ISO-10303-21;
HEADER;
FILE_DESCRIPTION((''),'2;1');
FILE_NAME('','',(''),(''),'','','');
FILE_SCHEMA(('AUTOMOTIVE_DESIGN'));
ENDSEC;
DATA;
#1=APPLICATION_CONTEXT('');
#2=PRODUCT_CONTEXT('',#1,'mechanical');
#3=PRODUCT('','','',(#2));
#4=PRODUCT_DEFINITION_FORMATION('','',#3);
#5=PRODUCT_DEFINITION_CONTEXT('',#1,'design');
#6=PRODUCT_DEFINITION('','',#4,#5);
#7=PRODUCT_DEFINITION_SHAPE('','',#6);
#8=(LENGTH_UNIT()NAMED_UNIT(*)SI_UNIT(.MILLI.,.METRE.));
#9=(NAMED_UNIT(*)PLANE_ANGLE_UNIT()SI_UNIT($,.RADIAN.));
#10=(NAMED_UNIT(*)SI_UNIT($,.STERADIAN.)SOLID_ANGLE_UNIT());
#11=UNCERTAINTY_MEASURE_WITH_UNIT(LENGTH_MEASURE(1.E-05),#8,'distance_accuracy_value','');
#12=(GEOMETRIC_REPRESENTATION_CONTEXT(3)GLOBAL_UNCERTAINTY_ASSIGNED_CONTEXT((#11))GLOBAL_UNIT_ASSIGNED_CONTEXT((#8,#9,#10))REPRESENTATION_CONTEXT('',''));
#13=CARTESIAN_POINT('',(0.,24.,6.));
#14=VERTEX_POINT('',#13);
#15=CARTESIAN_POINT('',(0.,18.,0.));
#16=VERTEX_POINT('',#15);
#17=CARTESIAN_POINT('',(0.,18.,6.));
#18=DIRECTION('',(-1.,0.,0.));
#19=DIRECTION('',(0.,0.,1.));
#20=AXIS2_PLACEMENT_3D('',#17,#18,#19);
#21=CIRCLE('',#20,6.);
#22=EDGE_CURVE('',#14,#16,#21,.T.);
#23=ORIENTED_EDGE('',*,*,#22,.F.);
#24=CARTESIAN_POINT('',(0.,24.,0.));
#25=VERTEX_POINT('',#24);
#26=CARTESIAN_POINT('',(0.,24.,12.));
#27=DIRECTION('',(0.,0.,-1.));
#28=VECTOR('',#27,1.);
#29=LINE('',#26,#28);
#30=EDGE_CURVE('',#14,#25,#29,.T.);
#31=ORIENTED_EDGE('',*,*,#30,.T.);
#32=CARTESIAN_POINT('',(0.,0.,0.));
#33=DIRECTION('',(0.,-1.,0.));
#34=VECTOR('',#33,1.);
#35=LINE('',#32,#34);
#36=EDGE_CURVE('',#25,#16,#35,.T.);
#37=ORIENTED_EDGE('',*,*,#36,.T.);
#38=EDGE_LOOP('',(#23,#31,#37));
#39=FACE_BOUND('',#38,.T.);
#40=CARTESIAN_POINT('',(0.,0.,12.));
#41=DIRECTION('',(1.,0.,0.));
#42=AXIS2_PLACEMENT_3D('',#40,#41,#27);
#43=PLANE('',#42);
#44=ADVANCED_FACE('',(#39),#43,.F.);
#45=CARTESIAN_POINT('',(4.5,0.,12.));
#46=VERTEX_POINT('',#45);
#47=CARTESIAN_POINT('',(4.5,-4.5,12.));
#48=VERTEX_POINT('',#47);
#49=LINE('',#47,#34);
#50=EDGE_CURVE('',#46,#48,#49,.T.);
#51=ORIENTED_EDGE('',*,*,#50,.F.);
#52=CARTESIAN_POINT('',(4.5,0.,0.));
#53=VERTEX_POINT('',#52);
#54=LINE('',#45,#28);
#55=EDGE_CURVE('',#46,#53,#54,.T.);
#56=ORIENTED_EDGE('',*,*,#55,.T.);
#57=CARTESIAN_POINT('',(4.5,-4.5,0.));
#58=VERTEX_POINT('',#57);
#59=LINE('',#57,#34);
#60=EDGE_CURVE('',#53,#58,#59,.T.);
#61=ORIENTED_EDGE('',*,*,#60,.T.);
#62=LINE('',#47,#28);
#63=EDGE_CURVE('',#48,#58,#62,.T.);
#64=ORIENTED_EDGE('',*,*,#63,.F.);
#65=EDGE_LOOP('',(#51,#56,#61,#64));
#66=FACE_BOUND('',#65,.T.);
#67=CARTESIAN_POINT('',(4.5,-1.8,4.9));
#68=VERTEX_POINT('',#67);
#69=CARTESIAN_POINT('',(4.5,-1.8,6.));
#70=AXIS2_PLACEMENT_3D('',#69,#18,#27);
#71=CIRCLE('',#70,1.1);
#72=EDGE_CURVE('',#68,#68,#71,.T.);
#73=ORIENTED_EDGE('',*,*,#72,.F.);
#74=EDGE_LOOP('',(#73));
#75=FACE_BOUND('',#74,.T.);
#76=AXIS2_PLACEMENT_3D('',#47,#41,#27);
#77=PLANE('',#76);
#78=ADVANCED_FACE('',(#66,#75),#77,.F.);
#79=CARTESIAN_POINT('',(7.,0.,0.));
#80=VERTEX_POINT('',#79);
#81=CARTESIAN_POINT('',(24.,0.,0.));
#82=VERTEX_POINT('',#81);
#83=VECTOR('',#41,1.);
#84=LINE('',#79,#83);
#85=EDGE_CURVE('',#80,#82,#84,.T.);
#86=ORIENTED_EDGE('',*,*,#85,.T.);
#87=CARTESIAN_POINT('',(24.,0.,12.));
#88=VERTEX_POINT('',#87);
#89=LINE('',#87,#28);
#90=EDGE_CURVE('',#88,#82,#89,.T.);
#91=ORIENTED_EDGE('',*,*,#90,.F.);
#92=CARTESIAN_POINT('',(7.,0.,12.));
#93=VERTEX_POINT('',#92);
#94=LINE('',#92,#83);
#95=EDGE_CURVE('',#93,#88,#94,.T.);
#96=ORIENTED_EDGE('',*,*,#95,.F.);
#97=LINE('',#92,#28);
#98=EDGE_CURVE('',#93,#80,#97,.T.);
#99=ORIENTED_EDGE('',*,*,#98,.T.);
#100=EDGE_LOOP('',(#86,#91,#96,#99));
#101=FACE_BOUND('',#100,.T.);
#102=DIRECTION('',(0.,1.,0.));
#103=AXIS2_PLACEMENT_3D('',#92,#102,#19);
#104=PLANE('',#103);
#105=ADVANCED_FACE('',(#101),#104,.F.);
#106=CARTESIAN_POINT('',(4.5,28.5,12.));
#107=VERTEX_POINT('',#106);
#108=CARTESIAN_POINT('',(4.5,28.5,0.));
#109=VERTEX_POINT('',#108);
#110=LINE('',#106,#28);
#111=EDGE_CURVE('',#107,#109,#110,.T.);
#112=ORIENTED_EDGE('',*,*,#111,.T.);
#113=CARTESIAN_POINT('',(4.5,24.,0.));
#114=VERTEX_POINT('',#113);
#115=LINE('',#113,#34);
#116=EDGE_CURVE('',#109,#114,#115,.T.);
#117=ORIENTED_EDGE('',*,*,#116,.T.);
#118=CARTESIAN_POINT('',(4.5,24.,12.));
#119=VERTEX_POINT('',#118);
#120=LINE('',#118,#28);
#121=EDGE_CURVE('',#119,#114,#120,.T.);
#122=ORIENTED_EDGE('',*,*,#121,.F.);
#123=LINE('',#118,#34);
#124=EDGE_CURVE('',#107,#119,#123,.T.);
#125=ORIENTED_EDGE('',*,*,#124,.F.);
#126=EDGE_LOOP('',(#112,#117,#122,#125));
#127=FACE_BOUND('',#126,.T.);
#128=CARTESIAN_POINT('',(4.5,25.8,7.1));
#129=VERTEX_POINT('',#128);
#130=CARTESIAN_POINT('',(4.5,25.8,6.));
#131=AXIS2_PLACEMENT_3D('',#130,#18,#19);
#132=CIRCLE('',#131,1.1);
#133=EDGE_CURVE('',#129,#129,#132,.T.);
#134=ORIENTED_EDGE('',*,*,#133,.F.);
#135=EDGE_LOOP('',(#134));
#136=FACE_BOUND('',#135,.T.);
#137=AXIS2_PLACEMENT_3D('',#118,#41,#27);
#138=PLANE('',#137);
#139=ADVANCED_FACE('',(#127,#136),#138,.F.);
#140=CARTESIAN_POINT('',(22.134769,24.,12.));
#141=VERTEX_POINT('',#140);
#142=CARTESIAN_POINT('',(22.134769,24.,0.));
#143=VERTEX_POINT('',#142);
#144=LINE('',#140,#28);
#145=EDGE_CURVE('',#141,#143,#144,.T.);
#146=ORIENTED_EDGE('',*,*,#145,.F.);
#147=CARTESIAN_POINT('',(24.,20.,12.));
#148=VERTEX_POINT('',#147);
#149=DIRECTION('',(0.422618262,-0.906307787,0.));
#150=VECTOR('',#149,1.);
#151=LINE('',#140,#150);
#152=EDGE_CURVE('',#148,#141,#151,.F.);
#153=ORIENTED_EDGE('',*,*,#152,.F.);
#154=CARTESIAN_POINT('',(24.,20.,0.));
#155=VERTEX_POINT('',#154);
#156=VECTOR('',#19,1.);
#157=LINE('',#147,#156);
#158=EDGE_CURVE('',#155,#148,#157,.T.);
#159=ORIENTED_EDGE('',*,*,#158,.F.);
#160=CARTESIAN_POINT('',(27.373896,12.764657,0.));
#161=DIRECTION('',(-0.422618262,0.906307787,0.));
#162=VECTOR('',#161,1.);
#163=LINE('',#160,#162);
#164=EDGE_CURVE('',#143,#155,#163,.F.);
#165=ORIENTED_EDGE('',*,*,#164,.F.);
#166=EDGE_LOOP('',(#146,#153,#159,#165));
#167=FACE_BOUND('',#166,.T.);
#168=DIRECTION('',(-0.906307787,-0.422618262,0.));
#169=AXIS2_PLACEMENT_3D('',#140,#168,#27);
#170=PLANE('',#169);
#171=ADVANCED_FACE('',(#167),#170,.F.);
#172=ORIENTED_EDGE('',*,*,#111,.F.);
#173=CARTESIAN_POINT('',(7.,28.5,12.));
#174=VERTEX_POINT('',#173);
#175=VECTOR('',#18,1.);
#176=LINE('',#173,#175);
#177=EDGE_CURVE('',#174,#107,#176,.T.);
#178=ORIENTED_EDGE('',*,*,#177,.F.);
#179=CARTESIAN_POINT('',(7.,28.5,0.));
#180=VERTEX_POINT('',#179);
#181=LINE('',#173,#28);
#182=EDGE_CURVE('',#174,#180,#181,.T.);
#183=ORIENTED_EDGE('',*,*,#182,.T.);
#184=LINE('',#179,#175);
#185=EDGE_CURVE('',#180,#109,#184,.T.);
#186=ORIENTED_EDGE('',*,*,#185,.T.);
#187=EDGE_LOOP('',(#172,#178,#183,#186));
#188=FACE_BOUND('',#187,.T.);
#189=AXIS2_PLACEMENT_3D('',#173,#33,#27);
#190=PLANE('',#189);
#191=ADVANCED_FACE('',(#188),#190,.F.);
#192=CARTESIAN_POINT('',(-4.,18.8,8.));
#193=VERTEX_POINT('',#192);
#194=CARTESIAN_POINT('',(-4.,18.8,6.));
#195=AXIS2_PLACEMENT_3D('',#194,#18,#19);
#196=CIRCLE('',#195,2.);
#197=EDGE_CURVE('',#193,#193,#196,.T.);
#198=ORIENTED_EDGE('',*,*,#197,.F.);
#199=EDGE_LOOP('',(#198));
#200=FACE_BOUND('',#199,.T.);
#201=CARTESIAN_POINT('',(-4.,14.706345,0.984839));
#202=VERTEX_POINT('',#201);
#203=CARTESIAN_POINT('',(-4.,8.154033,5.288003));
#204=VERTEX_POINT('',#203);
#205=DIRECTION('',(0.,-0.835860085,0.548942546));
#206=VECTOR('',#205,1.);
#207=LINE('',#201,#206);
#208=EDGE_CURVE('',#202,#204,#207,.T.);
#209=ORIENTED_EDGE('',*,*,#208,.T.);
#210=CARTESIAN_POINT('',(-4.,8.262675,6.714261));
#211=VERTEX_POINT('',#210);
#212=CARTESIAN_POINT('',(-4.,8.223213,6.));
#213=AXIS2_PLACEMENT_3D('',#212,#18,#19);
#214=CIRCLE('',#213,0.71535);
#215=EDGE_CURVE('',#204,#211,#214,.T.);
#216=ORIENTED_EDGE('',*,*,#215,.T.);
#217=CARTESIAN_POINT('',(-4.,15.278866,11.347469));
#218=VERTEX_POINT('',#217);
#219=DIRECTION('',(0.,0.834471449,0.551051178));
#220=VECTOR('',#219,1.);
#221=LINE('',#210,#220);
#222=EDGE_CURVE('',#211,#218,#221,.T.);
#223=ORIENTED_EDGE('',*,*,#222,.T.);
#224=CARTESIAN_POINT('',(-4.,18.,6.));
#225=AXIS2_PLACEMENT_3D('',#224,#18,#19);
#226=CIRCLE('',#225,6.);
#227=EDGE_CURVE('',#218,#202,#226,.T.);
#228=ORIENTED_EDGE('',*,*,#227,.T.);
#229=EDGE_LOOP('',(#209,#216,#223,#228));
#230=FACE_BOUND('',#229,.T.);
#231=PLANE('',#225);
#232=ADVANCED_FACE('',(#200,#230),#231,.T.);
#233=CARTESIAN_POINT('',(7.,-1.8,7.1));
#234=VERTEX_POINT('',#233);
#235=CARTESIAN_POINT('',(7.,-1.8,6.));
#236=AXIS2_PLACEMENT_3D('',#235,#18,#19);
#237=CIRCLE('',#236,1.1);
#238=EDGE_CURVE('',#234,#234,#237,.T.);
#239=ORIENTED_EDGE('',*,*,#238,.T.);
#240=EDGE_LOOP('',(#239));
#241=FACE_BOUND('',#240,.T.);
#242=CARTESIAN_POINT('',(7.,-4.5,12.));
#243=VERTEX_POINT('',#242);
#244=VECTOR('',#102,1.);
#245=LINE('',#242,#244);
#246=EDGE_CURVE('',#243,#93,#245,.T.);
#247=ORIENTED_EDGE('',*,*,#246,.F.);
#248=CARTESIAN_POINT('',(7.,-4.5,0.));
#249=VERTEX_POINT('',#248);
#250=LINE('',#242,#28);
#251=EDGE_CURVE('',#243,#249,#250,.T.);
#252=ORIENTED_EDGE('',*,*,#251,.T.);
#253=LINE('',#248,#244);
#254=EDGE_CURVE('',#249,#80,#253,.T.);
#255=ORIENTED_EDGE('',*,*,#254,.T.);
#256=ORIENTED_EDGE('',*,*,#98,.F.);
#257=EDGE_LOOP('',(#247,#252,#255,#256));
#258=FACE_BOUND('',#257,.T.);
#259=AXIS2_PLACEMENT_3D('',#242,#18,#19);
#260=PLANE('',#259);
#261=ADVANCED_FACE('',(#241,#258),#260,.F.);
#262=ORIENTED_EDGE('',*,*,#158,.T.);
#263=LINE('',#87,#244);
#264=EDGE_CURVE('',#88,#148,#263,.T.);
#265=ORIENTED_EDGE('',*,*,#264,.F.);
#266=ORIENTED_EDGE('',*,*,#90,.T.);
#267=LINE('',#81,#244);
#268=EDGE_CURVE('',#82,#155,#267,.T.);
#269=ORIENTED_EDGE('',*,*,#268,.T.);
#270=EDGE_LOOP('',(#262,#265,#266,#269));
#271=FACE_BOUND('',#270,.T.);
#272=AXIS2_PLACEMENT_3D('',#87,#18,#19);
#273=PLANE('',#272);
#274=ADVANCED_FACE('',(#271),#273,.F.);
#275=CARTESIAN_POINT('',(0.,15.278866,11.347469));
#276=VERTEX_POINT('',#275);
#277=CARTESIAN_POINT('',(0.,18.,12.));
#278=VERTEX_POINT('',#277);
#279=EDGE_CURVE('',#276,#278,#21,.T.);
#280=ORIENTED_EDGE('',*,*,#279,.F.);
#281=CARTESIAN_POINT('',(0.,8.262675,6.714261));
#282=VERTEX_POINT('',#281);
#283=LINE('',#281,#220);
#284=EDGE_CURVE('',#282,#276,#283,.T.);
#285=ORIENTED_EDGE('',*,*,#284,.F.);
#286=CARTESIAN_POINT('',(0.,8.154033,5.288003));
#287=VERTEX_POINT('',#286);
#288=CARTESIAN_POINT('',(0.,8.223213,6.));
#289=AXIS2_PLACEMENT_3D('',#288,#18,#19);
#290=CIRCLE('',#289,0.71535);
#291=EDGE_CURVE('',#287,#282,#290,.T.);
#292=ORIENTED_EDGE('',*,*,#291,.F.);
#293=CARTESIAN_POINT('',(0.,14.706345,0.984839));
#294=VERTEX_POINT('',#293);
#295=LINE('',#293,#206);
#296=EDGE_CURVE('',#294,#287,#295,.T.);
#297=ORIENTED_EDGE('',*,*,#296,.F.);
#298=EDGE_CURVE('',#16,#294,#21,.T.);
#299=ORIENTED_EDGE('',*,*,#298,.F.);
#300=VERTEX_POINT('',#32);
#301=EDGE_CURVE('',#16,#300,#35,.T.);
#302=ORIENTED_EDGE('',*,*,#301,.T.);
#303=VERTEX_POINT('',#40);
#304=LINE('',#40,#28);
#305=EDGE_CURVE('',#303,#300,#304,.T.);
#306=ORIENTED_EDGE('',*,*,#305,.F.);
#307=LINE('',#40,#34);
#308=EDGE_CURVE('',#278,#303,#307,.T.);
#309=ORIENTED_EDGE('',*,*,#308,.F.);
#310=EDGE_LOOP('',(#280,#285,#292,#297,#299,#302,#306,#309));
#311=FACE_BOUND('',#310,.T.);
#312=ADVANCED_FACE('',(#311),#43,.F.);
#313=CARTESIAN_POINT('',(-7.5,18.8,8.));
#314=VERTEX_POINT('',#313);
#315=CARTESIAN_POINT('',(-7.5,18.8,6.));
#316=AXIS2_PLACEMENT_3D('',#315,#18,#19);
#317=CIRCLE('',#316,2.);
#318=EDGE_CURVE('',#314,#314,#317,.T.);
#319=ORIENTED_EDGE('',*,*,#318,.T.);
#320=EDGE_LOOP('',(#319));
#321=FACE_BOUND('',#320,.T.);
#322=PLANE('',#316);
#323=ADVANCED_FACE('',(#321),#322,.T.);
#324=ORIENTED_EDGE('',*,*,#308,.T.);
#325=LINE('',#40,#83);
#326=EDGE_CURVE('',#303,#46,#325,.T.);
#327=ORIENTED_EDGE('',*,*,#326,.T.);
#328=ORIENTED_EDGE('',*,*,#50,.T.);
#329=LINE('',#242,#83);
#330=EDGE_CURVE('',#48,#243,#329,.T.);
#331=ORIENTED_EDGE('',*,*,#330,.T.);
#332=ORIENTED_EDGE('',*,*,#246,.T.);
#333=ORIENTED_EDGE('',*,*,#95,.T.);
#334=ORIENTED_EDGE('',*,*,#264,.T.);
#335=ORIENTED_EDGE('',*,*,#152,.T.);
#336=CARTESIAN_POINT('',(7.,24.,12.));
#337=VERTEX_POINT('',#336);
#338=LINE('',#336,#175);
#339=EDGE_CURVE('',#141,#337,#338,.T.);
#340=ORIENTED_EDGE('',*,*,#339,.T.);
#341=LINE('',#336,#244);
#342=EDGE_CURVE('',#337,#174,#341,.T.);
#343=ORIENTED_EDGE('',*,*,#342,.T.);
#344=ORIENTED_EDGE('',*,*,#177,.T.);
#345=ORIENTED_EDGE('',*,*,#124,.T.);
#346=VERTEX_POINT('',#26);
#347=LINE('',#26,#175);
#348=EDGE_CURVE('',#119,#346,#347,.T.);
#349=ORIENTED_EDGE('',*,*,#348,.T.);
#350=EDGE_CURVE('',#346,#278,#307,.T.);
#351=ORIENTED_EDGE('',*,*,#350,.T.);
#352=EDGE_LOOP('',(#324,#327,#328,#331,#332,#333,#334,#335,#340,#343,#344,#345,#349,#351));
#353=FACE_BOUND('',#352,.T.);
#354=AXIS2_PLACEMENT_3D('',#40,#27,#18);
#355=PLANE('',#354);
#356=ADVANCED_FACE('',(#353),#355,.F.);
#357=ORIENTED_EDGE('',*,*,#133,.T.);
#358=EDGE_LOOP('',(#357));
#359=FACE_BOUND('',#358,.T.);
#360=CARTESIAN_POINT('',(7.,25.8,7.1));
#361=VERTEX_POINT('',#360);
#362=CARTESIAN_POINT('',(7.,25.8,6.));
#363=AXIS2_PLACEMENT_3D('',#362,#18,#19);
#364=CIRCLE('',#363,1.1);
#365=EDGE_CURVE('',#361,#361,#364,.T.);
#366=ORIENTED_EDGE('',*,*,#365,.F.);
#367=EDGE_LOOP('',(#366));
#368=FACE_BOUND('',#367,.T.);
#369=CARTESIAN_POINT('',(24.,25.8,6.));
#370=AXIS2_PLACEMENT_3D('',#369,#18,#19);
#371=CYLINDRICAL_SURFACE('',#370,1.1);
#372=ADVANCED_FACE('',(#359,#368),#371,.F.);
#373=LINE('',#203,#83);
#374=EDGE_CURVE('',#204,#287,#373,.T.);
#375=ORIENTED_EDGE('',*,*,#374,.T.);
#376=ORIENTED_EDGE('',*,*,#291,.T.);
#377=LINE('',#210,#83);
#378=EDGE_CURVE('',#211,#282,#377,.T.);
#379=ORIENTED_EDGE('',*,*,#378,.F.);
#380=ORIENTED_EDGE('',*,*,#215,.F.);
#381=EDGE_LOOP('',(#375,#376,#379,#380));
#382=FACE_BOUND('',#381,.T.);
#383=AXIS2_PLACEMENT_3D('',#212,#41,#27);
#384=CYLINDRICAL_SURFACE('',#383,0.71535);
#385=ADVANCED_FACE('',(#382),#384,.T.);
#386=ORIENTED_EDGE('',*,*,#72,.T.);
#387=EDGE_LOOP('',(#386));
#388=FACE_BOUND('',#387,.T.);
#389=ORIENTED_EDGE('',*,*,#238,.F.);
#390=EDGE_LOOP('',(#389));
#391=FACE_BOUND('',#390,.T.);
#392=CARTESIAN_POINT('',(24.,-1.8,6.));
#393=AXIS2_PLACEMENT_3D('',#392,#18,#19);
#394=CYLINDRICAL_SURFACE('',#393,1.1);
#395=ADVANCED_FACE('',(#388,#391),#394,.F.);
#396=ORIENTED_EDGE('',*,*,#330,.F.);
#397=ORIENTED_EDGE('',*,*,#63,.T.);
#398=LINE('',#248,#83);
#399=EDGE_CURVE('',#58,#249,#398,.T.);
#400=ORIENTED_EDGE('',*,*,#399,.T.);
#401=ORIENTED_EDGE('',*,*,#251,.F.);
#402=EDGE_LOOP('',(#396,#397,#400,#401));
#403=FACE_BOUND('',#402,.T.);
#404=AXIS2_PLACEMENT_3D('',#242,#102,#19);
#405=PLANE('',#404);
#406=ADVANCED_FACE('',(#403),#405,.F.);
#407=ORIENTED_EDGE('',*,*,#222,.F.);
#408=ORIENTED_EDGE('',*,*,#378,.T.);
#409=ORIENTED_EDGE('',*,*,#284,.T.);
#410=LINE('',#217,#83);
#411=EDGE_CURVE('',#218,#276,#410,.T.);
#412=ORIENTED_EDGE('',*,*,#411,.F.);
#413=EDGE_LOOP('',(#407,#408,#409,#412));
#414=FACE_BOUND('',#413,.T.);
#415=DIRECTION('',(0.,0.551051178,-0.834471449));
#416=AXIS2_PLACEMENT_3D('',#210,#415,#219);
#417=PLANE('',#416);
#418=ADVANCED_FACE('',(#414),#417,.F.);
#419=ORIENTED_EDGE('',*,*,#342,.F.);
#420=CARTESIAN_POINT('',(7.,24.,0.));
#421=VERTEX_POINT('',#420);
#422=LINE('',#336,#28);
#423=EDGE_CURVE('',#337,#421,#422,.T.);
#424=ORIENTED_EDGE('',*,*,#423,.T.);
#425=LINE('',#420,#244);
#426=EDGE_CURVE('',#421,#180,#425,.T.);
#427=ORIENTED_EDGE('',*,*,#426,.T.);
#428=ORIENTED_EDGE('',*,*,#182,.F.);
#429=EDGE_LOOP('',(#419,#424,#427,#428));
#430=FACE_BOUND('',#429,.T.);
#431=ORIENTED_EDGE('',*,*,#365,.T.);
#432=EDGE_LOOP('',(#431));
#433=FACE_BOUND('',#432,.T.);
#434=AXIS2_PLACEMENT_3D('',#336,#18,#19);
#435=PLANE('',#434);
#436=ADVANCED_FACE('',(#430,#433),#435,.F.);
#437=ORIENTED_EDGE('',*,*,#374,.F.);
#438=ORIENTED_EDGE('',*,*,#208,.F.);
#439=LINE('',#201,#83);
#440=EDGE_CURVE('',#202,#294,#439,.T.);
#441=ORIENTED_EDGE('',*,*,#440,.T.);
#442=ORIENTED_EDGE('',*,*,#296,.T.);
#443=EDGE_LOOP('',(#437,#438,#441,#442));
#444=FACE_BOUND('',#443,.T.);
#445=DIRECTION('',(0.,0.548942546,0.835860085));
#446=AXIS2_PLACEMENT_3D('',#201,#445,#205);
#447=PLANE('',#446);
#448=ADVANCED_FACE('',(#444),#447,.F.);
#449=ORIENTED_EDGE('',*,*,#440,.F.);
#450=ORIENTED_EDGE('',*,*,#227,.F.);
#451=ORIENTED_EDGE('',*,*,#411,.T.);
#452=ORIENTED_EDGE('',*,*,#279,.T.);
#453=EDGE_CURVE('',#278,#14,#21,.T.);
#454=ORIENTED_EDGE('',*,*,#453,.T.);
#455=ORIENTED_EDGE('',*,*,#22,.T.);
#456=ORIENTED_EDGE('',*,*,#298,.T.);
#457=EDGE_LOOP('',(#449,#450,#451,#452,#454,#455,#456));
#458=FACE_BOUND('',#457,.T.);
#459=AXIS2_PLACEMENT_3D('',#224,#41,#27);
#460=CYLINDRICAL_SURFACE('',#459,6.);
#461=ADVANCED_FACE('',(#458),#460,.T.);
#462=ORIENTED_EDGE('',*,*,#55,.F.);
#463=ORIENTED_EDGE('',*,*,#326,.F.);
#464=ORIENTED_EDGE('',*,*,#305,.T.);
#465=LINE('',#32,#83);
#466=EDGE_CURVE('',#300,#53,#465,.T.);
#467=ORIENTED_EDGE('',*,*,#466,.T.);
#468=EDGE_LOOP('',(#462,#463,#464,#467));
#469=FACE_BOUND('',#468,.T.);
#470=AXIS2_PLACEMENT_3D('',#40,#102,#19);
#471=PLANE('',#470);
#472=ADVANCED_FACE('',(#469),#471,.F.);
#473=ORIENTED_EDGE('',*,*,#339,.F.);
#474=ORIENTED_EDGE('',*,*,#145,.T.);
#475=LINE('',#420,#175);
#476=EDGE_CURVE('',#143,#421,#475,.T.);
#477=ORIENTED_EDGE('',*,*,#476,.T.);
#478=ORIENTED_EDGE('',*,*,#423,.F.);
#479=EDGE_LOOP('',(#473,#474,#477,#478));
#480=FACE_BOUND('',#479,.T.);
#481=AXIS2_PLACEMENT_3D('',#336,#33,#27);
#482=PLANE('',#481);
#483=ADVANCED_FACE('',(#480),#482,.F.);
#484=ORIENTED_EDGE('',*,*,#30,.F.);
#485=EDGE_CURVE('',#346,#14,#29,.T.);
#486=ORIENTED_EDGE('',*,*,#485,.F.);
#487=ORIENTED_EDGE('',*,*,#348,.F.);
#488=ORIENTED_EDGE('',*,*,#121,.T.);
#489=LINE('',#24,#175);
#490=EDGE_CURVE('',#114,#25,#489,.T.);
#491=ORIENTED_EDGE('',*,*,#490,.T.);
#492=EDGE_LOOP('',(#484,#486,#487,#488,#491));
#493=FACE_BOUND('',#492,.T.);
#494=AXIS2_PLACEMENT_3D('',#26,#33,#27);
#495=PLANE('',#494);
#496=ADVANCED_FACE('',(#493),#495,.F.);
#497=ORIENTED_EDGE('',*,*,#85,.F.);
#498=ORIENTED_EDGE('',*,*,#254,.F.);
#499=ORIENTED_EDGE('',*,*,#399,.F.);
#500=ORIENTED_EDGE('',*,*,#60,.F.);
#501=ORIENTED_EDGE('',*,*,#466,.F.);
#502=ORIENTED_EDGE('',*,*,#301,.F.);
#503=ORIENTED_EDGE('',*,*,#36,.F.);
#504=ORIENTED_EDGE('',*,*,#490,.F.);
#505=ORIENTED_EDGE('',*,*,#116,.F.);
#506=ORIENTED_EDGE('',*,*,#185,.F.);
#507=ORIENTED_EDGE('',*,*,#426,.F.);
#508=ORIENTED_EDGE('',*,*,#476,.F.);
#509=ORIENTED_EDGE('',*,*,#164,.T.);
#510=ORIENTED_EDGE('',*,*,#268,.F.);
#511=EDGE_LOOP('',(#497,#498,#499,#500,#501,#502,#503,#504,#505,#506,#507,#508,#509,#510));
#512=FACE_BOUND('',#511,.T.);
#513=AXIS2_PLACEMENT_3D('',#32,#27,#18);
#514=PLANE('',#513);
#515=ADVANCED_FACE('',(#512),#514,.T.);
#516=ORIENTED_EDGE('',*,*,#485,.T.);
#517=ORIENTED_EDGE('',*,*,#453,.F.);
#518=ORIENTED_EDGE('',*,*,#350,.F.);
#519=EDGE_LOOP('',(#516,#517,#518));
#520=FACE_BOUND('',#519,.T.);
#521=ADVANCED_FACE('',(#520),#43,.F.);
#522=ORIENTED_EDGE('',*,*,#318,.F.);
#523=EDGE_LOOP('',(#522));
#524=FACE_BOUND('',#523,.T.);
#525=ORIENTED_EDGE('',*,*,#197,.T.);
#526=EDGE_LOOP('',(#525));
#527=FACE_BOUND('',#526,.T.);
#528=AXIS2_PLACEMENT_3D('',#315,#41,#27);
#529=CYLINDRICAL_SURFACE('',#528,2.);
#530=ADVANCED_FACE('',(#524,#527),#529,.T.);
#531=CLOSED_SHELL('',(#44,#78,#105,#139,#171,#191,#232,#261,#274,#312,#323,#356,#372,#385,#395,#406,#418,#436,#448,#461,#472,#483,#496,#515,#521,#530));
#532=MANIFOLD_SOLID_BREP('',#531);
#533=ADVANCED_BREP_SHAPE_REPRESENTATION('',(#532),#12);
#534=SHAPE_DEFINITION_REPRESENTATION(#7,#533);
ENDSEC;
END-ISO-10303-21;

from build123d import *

# Parameters (mm, degrees)
EXTRUDE_1_DEPTH     = 12
SKETCH_3_R          = 1.1
CUT_EXTRUDE_1_DEPTH = 37.558172821
EXTRUDE_2_DEPTH     = 4
SKETCH_11_R         = 2
EXTRUDE_4_DEPTH     = 3.5
CHAMFER_1_SIZE      = 4
CHAMFER_1_SIZE2     = 1.865230633


with BuildPart() as part:
    # 草图1 → 凸台-拉伸1 (new body)
    with BuildSketch(Plane.XY):
        Polygon((7, 24), (7, 28.5), (4.5, 28.5), (4.5, 24), (0, 24), (0, 0), (4.5, 0), (4.5, -4.5), (7, -4.5), (7, 0), (24, 0), (24, 24), align=None)
    extrude(amount=EXTRUDE_1_DEPTH)

    # 草图3 → 切除-拉伸1 (cut, through all)
    with BuildSketch(Plane.ZY.offset(-4.5)):
        with Locations((6, 25.8)):
            Circle(SKETCH_3_R)
        with Locations((6, -1.8)):
            Circle(SKETCH_3_R)
    extrude(amount=-CUT_EXTRUDE_1_DEPTH, mode=Mode.SUBTRACT)

    # 草图10 → 凸台-拉伸2 (add)
    with BuildSketch(Plane.ZY):
        with BuildLine():
            Line((0.984839492, 14.706344723), (5.288002877, 8.154033308))
            ThreePointArc((5.288002877, 8.154033308), (6.054332561, 7.509929186), (6.714260792, 8.262674849))
            Line((6.714260792, 8.262674849), (11.347469324, 15.278865708))
            ThreePointArc((11.347469324, 15.278865708), (5.669013056, 23.990863681), (0.984839492, 14.706344723))
        make_face()
    extrude(amount=EXTRUDE_2_DEPTH)

    # 草图11 → 凸台-拉伸4 (add)
    with BuildSketch(Plane.ZY.offset(4)):
        with Locations((6, 18.8)):
            Circle(SKETCH_11_R)
    extrude(amount=EXTRUDE_4_DEPTH)

    # 倒角1
    chamfer_1_edges = [part.edges().sort_by_distance(p)[0] for p in [
        (24, 24, 6),
    ]]
    chamfer_1_side = [part.faces().sort_by_distance(p)[0] for p in [
        (24, 12, 6),
    ]]
    chamfer(chamfer_1_edges, length=CHAMFER_1_SIZE, length2=CHAMFER_1_SIZE2, reference=chamfer_1_side[0])


solid = part.part
